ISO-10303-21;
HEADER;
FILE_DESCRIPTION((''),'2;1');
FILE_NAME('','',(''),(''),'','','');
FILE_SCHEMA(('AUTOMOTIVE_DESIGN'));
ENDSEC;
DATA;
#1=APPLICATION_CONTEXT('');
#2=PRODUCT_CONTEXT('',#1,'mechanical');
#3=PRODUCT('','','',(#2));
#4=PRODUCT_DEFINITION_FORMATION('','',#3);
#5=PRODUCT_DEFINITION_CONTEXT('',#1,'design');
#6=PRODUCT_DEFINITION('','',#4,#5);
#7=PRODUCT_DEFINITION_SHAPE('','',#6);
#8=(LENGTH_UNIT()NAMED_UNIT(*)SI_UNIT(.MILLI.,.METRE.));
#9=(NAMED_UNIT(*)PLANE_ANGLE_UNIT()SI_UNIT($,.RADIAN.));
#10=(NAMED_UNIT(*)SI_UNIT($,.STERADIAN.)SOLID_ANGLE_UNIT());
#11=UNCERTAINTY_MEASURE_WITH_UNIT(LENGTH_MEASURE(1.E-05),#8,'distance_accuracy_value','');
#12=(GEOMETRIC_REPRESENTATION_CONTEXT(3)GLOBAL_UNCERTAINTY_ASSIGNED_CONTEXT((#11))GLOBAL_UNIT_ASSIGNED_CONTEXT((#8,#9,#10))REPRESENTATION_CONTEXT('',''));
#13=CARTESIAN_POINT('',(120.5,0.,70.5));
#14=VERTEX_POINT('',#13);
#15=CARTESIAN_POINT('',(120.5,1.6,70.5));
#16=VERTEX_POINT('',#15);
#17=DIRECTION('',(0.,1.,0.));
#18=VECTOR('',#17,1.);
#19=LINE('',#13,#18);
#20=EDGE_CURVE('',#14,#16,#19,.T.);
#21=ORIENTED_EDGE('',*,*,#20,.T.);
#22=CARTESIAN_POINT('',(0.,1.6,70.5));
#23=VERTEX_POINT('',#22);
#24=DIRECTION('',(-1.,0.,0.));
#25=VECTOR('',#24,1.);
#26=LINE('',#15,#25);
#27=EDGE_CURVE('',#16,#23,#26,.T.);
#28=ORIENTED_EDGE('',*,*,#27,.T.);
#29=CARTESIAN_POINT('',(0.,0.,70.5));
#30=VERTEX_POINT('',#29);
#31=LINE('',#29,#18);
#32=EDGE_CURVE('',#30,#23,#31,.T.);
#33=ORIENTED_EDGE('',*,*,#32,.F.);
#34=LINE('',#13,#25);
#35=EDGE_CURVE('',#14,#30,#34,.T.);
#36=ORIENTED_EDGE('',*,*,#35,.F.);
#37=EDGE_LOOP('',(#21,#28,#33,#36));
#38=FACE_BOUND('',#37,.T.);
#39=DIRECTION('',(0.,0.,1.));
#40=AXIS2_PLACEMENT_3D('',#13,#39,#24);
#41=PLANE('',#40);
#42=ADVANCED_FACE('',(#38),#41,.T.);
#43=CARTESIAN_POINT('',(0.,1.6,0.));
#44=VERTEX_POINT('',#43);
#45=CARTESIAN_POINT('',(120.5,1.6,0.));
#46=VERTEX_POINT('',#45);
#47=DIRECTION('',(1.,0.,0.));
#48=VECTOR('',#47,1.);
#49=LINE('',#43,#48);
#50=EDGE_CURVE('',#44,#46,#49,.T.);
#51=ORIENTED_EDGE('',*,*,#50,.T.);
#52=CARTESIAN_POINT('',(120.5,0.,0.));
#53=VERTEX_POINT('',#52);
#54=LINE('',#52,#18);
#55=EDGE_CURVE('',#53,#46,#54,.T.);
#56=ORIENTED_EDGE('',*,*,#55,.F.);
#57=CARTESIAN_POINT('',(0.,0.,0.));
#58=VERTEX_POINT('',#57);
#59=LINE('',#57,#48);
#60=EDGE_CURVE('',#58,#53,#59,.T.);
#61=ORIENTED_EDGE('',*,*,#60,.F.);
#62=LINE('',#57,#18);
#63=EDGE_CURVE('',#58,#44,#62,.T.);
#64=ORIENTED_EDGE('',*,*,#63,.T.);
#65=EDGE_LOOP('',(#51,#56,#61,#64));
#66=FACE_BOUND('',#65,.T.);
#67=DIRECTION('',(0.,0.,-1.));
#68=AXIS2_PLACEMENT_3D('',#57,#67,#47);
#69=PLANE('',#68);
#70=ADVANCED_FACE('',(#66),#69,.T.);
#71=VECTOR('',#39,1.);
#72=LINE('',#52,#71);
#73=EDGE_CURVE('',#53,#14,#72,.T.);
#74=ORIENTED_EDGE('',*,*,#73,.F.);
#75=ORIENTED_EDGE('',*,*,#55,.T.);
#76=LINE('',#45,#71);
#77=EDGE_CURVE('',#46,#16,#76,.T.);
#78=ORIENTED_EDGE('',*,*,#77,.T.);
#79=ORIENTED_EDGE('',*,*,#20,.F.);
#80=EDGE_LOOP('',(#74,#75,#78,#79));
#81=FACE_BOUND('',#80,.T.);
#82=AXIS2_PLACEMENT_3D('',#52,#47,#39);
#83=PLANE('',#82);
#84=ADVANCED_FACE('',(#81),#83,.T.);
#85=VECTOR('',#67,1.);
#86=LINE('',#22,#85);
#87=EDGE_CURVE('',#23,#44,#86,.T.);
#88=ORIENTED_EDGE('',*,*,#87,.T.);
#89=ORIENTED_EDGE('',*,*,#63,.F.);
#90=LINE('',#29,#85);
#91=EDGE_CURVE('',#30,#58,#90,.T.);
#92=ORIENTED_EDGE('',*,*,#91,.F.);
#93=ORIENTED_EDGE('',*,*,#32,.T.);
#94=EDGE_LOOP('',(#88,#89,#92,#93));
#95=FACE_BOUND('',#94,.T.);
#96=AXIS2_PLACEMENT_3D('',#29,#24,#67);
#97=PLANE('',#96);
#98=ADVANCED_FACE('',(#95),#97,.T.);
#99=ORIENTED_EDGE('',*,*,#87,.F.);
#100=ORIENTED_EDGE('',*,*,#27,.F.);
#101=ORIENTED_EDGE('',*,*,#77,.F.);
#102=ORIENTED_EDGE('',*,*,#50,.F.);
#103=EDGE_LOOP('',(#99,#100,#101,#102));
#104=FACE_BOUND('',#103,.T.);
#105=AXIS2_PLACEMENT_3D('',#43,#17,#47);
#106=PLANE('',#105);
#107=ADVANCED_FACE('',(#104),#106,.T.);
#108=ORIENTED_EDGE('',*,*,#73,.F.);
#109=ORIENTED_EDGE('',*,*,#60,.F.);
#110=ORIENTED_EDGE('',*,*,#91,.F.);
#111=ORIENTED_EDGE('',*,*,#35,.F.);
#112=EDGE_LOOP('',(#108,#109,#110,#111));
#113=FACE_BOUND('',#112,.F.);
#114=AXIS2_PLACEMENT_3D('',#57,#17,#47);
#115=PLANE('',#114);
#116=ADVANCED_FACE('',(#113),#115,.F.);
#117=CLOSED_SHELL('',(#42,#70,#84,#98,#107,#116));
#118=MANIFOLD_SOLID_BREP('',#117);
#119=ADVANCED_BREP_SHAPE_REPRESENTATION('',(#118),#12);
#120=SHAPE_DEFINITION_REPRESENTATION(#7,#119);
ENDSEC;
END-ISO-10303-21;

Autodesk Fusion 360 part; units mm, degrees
sketch "Sketch1" plane through (0, 0, 0) normal (0, 1, 0) x (1, 0, 0)
  line L0 (0, 0) -> (120.5, 0)
  line L1 (120.5, 0) -> (120.5, -70.5)
  line L2 (120.5, -70.5) -> (0, -70.5)
  line L3 (0, -70.5) -> (0, 0)
  dimension "d1" = 120.5
  dimension "d2" = 70.5
extrude "Extrude1" add sketch "Sketch1" along normal blind 1.6
component "pcb" placed x (1, 0, 0) y (0, 1, 0) z (0, 0, 1) at (0, 0, 0)
